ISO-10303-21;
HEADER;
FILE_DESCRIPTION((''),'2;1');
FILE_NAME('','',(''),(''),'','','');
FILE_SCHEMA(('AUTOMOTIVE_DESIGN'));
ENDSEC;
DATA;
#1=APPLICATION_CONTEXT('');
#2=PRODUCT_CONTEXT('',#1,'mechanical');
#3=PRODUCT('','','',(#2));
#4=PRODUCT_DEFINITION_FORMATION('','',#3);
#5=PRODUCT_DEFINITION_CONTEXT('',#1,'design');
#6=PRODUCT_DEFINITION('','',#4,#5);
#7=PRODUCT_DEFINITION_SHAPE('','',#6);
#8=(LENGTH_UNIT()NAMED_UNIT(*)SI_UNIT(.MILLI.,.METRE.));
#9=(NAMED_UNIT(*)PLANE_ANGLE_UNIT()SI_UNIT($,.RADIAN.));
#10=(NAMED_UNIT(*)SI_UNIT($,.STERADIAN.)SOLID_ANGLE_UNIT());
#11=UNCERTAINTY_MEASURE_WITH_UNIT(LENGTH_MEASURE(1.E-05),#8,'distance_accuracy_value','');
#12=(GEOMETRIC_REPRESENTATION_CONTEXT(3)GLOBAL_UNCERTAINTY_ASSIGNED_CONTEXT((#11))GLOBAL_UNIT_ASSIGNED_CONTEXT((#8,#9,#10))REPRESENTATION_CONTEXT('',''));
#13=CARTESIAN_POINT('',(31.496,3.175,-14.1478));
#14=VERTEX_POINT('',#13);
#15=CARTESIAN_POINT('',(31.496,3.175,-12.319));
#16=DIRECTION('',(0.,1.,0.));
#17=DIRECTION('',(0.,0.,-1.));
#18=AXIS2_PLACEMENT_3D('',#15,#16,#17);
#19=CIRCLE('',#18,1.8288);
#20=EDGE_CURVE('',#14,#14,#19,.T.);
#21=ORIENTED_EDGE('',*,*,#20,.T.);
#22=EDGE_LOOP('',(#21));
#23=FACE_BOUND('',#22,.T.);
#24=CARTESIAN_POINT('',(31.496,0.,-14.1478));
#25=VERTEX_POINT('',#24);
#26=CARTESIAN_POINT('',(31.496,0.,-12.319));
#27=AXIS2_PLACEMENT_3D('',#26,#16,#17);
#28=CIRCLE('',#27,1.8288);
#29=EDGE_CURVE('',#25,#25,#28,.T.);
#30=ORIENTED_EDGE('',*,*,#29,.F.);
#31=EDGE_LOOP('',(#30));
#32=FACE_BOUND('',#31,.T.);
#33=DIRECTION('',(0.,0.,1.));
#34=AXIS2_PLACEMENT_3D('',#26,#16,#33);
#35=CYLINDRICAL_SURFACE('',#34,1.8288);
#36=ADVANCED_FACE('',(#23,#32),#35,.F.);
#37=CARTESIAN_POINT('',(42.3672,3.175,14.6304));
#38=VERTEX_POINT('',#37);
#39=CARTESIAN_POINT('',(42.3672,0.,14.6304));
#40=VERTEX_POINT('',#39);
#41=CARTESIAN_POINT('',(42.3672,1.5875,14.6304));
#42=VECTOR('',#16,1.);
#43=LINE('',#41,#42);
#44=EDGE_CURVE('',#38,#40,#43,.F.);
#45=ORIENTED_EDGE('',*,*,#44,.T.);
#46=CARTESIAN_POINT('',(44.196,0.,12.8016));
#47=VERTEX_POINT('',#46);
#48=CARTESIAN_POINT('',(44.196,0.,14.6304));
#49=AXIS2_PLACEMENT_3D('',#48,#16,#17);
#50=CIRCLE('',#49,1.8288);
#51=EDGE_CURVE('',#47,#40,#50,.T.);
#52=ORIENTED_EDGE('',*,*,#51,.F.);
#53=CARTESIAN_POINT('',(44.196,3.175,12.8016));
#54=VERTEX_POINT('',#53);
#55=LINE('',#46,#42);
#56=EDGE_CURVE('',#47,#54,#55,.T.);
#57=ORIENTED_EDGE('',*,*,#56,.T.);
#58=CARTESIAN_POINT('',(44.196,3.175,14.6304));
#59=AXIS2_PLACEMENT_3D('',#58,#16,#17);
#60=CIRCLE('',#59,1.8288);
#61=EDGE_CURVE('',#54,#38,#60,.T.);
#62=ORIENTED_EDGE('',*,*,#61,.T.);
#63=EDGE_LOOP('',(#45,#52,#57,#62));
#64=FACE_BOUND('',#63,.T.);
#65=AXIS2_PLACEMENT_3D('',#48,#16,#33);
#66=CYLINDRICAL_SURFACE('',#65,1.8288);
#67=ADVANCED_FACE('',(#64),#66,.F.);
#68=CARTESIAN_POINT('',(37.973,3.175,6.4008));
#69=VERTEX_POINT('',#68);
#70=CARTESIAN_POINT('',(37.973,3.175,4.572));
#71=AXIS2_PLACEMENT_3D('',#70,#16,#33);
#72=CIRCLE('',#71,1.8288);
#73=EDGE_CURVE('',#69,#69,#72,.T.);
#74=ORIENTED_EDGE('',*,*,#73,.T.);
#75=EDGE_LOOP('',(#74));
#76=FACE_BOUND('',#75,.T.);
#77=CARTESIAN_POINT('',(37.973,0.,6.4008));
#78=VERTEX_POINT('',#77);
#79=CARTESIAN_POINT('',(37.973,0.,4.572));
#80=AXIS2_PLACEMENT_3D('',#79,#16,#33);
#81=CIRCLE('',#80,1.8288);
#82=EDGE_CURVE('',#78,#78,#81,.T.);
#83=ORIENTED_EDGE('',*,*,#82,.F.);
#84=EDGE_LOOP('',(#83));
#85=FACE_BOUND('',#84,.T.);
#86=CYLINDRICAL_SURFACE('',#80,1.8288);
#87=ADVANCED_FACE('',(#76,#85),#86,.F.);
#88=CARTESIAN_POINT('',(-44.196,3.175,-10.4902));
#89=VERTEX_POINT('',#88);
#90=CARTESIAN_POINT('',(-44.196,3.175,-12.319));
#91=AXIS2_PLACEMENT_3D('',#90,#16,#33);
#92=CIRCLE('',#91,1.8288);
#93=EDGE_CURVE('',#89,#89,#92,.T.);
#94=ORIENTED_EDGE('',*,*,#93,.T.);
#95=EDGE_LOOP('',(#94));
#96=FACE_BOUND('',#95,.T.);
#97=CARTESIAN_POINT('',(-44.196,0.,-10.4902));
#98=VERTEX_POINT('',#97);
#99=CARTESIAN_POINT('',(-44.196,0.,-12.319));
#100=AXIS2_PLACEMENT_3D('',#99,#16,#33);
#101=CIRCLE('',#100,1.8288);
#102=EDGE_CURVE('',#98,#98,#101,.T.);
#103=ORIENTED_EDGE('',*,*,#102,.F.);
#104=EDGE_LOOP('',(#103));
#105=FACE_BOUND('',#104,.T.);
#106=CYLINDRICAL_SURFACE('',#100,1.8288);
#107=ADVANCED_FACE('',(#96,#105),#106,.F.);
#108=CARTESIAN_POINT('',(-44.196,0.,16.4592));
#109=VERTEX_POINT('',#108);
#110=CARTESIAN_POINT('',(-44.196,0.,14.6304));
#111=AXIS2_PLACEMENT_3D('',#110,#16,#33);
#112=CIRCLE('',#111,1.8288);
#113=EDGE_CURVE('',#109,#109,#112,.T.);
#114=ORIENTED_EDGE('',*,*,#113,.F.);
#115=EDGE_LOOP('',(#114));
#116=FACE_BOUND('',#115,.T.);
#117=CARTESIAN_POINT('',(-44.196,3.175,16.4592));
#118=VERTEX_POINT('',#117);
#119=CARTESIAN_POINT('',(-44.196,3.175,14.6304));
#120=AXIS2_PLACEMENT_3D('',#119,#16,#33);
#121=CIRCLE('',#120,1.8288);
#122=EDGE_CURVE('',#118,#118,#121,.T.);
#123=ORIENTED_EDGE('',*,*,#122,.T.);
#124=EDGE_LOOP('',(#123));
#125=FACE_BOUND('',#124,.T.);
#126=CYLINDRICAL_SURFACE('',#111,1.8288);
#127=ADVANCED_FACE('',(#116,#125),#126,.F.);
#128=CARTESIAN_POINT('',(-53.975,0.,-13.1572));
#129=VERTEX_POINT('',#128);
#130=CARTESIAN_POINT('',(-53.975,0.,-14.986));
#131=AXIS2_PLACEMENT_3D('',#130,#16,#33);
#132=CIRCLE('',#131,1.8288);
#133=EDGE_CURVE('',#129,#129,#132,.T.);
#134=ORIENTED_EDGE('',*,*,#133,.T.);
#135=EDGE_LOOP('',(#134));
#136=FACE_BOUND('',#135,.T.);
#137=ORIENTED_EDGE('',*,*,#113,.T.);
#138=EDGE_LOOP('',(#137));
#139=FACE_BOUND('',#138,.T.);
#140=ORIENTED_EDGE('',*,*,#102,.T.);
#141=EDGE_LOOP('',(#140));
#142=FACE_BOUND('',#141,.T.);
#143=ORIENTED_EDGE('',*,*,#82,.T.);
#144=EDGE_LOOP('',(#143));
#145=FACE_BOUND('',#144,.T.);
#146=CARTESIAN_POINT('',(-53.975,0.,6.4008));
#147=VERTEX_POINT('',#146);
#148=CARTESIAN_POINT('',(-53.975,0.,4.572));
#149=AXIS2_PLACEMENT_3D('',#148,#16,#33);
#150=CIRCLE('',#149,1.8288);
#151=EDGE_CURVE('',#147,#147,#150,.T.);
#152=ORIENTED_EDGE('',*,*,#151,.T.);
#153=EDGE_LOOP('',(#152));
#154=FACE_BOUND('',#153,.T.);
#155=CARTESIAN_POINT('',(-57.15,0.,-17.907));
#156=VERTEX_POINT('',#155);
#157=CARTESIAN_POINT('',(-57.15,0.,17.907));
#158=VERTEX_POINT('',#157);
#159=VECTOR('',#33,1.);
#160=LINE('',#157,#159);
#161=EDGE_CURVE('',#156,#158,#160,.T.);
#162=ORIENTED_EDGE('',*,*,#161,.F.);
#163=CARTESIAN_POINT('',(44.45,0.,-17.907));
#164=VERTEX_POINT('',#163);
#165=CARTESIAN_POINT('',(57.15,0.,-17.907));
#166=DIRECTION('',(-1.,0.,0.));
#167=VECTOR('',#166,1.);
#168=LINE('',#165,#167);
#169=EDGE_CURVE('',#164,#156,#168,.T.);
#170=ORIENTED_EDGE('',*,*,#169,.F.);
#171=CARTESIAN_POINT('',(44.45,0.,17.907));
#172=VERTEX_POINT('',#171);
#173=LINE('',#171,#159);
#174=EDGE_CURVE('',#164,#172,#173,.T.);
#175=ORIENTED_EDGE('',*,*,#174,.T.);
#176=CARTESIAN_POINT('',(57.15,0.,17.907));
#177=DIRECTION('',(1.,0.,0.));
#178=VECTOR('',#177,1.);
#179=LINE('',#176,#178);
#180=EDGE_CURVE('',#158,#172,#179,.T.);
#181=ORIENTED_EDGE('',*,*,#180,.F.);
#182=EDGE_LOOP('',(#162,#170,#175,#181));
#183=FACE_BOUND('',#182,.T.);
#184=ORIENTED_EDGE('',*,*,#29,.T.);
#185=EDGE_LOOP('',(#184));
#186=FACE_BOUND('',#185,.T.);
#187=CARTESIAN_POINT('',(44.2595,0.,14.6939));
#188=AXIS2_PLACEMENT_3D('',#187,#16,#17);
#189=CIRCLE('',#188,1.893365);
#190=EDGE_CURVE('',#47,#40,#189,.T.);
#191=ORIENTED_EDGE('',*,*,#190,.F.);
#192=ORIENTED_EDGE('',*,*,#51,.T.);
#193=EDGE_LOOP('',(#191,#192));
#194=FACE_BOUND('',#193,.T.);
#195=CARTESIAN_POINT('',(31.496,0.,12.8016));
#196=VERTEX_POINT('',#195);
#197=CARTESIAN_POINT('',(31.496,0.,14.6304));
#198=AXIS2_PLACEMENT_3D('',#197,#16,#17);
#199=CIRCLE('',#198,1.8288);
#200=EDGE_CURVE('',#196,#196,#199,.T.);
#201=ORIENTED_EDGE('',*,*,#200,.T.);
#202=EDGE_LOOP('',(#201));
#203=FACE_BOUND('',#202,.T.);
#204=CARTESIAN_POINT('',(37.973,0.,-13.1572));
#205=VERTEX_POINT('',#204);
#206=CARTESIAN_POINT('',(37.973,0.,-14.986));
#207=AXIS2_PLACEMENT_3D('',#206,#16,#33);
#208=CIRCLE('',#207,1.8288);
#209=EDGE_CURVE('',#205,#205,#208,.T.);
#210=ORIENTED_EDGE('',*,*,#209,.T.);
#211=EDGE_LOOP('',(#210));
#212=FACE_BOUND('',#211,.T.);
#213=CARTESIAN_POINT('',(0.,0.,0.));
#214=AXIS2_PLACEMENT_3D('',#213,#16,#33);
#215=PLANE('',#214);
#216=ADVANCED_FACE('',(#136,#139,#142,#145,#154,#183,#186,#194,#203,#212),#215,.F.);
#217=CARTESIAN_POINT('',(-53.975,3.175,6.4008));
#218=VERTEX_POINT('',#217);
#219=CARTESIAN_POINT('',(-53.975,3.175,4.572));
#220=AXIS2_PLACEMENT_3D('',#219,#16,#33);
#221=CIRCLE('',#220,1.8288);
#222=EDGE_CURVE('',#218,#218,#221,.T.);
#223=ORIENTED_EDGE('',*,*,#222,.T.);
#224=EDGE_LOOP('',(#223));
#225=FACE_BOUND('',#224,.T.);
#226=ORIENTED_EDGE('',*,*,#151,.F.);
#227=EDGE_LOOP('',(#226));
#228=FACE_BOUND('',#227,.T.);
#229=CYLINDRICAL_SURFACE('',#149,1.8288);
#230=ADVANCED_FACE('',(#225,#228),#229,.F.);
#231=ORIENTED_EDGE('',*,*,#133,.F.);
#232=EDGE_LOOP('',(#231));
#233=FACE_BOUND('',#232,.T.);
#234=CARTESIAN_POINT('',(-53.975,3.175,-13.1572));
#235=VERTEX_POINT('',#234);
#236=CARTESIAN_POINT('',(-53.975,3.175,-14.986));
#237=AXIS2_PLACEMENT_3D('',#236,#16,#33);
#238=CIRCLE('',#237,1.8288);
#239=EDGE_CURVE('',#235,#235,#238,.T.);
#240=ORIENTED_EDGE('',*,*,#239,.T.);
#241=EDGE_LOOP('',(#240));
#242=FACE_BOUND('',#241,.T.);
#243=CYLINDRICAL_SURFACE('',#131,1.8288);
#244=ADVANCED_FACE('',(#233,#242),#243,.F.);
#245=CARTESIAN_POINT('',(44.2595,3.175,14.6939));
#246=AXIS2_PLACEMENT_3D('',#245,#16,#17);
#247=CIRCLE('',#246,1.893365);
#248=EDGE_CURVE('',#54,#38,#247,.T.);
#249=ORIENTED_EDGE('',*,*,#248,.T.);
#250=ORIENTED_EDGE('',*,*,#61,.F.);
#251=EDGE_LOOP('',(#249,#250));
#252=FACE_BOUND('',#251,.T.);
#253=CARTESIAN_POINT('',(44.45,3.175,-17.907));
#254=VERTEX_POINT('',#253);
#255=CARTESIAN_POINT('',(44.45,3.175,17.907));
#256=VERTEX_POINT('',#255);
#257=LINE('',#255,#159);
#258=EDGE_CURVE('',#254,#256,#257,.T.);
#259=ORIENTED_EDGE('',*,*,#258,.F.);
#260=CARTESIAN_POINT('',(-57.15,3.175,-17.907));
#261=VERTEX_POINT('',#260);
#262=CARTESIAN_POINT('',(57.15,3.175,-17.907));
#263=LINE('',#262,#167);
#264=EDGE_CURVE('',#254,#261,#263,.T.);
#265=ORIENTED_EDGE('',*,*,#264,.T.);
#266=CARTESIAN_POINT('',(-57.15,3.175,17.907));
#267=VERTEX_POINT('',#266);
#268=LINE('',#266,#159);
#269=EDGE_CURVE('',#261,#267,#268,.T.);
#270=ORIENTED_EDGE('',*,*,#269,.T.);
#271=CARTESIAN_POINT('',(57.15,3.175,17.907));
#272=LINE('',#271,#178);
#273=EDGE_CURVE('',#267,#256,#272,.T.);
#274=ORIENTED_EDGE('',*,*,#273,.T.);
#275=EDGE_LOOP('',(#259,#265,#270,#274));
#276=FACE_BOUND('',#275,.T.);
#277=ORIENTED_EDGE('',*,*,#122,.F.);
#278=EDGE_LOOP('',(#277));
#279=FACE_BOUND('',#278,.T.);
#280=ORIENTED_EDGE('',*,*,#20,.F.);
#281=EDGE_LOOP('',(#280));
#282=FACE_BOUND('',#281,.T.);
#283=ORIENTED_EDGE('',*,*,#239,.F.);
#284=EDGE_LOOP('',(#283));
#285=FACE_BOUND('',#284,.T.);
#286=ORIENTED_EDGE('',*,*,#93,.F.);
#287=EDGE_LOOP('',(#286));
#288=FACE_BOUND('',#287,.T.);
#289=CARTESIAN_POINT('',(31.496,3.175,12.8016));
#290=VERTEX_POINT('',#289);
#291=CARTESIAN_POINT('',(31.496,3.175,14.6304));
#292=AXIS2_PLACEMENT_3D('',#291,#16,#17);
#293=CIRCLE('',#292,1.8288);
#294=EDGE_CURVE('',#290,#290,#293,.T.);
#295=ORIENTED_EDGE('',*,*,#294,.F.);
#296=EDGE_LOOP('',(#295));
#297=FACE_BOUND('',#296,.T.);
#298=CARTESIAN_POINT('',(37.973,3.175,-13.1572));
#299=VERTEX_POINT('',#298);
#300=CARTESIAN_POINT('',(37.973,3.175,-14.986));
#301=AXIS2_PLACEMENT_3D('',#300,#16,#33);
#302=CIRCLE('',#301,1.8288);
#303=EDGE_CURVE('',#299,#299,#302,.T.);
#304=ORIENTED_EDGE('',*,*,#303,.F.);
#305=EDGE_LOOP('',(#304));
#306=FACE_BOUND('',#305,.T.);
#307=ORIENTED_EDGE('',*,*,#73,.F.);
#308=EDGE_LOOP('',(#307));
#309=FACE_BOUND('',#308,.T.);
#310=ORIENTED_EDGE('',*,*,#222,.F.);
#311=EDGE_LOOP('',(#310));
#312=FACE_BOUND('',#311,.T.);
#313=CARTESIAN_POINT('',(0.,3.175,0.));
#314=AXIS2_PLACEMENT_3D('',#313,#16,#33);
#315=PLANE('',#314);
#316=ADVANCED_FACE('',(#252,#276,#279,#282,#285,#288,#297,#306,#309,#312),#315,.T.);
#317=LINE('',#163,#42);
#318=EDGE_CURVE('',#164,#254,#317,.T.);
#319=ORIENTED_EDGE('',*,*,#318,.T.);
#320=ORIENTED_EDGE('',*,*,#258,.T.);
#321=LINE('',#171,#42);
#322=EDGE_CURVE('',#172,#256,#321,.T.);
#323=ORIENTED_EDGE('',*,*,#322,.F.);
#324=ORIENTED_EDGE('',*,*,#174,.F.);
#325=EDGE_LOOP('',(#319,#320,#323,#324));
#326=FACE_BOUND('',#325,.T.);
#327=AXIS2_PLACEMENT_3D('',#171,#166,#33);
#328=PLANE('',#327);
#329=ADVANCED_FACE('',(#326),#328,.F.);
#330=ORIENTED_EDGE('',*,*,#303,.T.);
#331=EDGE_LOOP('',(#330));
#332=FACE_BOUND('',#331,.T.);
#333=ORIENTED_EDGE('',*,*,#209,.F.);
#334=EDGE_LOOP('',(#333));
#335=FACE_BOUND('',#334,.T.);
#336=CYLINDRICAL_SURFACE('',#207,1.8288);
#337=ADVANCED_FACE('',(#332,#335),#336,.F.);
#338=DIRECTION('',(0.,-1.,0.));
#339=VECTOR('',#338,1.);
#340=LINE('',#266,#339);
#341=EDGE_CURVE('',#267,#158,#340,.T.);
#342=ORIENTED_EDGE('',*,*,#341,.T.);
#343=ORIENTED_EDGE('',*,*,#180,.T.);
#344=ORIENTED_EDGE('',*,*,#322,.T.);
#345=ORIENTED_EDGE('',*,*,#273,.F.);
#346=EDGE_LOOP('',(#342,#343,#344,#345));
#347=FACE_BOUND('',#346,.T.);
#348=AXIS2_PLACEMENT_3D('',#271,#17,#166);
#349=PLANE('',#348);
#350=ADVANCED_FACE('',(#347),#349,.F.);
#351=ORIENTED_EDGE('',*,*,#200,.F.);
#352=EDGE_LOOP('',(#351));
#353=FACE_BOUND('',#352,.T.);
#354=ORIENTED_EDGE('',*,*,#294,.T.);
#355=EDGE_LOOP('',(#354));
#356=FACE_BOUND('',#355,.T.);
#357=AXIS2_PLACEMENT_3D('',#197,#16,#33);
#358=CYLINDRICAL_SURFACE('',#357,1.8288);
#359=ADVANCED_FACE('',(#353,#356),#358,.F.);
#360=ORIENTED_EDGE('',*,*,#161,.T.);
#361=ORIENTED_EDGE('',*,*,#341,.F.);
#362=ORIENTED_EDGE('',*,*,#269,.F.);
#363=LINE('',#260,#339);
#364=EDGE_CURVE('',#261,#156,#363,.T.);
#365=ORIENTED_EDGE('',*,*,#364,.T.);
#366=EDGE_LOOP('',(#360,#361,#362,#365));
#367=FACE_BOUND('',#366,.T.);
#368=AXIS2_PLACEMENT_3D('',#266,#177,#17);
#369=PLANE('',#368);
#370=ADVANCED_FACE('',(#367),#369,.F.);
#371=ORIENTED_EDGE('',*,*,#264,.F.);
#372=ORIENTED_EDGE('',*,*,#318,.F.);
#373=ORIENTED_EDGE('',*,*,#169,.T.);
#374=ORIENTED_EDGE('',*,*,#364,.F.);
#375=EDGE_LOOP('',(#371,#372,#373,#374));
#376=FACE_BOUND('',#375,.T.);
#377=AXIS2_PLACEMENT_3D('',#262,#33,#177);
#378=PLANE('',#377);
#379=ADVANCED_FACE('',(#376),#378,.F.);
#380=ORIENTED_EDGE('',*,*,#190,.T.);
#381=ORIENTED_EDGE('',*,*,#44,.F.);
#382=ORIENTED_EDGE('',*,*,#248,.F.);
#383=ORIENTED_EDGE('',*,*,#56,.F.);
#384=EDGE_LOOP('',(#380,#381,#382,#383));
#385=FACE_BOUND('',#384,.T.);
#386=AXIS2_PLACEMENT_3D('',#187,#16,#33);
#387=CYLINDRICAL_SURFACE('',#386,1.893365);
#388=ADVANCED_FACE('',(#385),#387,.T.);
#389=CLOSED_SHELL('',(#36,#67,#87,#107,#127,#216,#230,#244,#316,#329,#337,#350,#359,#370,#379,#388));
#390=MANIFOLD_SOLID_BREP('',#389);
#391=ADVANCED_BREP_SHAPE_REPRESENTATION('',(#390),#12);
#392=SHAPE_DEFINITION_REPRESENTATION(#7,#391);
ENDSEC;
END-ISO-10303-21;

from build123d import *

# Parameters (mm, degrees)
SKETCH1_W           = 114.3
SKETCH1_H           = 35.814
BOSS_EXTRUDE1_DEPTH = 3.175
SKETCH3_R           = 1.8288
CUT_EXTRUDE2_DEPTH  = 4.175
SKETCH4_W           = 12.7
SKETCH4_H           = 35.814
CUT_EXTRUDE3_DEPTH  = 4.175
SKETCH5_R           = 1.8288
CUT_EXTRUDE4_DEPTH  = 4.175
BOSS_EXTRUDE4_DEPTH = 3.175
SKETCH9_R           = 1.8288
CUT_EXTRUDE5_DEPTH  = 4.175
BOSS_EXTRUDE5_DEPTH = 3.175


with BuildPart() as part:
    # Sketch1 → Boss-Extrude1 (new body)
    with BuildSketch(Plane(origin=(0, 0, 0), x_dir=(1, 0, 0), z_dir=(0, 1, 0))):
        Rectangle(SKETCH1_W, SKETCH1_H)
    extrude(amount=BOSS_EXTRUDE1_DEPTH)

    # Sketch3 → Cut-Extrude2 (cut, through all)
    with BuildSketch(Plane(origin=(0, 3.175, 0), x_dir=(1, 0, 0), z_dir=(0, 1, 0))):
        with Locations((-53.975, 14.986)):
            Circle(SKETCH3_R)
        with Locations((-53.975, -4.572)):
            Circle(SKETCH3_R)
        with Locations((-44.196, 12.319)):
            Circle(SKETCH3_R)
        with Locations((-44.196, -14.6304)):
            Circle(SKETCH3_R)
        with Locations((44.196, -14.6304)):
            Circle(SKETCH3_R)
        with Locations((53.975, -4.572)):
            Circle(SKETCH3_R)
        with Locations((44.196, 12.319)):
            Circle(SKETCH3_R)
        with Locations((53.975, 14.986)):
            Circle(SKETCH3_R)
    extrude(amount=-CUT_EXTRUDE2_DEPTH, mode=Mode.SUBTRACT)

    # Sketch4 → Cut-Extrude3 (cut, through all)
    with BuildSketch(Plane(origin=(0, 3.175, 0), x_dir=(1, 0, 0), z_dir=(0, 1, 0))):
        with Locations((50.8, 0)):
            Rectangle(SKETCH4_W, SKETCH4_H)
    extrude(amount=-CUT_EXTRUDE3_DEPTH, mode=Mode.SUBTRACT)

    # Sketch5 → Cut-Extrude4 (cut, through all)
    with BuildSketch(Plane(origin=(0, 3.175, 0), x_dir=(1, 0, 0), z_dir=(0, 1, 0))):
        with Locations((-44.196, 12.319)):
            Circle(SKETCH5_R)
        with Locations((-53.975, 14.986)):
            Circle(SKETCH5_R)
        with Locations((-53.975, -4.572)):
            Circle(SKETCH5_R)
        with Locations((-44.196, -14.6304)):
            Circle(SKETCH5_R)
        with Locations((31.496, -14.6304)):
            Circle(SKETCH5_R)
        with Locations((41.275, -4.572)):
            Circle(SKETCH5_R)
        with Locations((31.496, 12.319)):
            Circle(SKETCH5_R)
        with Locations((41.275, 14.986)):
            Circle(SKETCH5_R)
    extrude(amount=-CUT_EXTRUDE4_DEPTH, mode=Mode.SUBTRACT)

    # Sketch8 → Boss-Extrude4 (add)
    with BuildSketch(Plane(origin=(0, 3.175, 0), x_dir=(1, 0, 0), z_dir=(0, 1, 0))):
        with BuildLine():
            Line((44.196, 14.1478), (44.45, 14.542460619))
            Line((44.45, 14.542460619), (44.45, 10.507924783))
            ThreePointArc((44.45, 10.507924783), (42.371636577, 12.191691155), (44.196, 14.1478))
        make_face()
        with BuildLine():
            Line((44.196, -12.8016), (44.45, -12.55116419))
            Line((44.45, -12.55116419), (44.45, -16.7132))
            Line((44.45, -16.7132), (44.323, -16.5862))
            ThreePointArc((44.323, -16.5862), (42.3672, -14.7574), (44.196, -12.8016))
        make_face()
    extrude(amount=-BOSS_EXTRUDE4_DEPTH)

    # Sketch9 → Cut-Extrude5 (cut, through all)
    with BuildSketch(Plane(origin=(0, 3.175, 0), x_dir=(1, 0, 0), z_dir=(0, 1, 0))):
        with Locations((37.973, -4.572)):
            Circle(SKETCH9_R)
        with Locations((37.973, 14.986)):
            Circle(SKETCH9_R)
    extrude(amount=-CUT_EXTRUDE5_DEPTH, mode=Mode.SUBTRACT)

    # Sketch10 → Boss-Extrude5 (add)
    with BuildSketch(Plane(origin=(0, 3.175, 0), x_dir=(1, 0, 0), z_dir=(0, 1, 0))):
        with BuildLine():
            ThreePointArc((39.624, 14.199419782), (39.8018, 14.986), (39.624, 15.772580218))
            ThreePointArc((39.624, 15.772580218), (43.1038, 14.986), (39.624, 14.199419782))
        make_face()
        with BuildLine():
            ThreePointArc((39.624, -5.358580218), (39.8018, -4.572), (39.624, -3.785419782))
            ThreePointArc((39.624, -3.785419782), (43.1038, -4.572), (39.624, -5.358580218))
        make_face()
    extrude(amount=-BOSS_EXTRUDE5_DEPTH)


solid = part.part
